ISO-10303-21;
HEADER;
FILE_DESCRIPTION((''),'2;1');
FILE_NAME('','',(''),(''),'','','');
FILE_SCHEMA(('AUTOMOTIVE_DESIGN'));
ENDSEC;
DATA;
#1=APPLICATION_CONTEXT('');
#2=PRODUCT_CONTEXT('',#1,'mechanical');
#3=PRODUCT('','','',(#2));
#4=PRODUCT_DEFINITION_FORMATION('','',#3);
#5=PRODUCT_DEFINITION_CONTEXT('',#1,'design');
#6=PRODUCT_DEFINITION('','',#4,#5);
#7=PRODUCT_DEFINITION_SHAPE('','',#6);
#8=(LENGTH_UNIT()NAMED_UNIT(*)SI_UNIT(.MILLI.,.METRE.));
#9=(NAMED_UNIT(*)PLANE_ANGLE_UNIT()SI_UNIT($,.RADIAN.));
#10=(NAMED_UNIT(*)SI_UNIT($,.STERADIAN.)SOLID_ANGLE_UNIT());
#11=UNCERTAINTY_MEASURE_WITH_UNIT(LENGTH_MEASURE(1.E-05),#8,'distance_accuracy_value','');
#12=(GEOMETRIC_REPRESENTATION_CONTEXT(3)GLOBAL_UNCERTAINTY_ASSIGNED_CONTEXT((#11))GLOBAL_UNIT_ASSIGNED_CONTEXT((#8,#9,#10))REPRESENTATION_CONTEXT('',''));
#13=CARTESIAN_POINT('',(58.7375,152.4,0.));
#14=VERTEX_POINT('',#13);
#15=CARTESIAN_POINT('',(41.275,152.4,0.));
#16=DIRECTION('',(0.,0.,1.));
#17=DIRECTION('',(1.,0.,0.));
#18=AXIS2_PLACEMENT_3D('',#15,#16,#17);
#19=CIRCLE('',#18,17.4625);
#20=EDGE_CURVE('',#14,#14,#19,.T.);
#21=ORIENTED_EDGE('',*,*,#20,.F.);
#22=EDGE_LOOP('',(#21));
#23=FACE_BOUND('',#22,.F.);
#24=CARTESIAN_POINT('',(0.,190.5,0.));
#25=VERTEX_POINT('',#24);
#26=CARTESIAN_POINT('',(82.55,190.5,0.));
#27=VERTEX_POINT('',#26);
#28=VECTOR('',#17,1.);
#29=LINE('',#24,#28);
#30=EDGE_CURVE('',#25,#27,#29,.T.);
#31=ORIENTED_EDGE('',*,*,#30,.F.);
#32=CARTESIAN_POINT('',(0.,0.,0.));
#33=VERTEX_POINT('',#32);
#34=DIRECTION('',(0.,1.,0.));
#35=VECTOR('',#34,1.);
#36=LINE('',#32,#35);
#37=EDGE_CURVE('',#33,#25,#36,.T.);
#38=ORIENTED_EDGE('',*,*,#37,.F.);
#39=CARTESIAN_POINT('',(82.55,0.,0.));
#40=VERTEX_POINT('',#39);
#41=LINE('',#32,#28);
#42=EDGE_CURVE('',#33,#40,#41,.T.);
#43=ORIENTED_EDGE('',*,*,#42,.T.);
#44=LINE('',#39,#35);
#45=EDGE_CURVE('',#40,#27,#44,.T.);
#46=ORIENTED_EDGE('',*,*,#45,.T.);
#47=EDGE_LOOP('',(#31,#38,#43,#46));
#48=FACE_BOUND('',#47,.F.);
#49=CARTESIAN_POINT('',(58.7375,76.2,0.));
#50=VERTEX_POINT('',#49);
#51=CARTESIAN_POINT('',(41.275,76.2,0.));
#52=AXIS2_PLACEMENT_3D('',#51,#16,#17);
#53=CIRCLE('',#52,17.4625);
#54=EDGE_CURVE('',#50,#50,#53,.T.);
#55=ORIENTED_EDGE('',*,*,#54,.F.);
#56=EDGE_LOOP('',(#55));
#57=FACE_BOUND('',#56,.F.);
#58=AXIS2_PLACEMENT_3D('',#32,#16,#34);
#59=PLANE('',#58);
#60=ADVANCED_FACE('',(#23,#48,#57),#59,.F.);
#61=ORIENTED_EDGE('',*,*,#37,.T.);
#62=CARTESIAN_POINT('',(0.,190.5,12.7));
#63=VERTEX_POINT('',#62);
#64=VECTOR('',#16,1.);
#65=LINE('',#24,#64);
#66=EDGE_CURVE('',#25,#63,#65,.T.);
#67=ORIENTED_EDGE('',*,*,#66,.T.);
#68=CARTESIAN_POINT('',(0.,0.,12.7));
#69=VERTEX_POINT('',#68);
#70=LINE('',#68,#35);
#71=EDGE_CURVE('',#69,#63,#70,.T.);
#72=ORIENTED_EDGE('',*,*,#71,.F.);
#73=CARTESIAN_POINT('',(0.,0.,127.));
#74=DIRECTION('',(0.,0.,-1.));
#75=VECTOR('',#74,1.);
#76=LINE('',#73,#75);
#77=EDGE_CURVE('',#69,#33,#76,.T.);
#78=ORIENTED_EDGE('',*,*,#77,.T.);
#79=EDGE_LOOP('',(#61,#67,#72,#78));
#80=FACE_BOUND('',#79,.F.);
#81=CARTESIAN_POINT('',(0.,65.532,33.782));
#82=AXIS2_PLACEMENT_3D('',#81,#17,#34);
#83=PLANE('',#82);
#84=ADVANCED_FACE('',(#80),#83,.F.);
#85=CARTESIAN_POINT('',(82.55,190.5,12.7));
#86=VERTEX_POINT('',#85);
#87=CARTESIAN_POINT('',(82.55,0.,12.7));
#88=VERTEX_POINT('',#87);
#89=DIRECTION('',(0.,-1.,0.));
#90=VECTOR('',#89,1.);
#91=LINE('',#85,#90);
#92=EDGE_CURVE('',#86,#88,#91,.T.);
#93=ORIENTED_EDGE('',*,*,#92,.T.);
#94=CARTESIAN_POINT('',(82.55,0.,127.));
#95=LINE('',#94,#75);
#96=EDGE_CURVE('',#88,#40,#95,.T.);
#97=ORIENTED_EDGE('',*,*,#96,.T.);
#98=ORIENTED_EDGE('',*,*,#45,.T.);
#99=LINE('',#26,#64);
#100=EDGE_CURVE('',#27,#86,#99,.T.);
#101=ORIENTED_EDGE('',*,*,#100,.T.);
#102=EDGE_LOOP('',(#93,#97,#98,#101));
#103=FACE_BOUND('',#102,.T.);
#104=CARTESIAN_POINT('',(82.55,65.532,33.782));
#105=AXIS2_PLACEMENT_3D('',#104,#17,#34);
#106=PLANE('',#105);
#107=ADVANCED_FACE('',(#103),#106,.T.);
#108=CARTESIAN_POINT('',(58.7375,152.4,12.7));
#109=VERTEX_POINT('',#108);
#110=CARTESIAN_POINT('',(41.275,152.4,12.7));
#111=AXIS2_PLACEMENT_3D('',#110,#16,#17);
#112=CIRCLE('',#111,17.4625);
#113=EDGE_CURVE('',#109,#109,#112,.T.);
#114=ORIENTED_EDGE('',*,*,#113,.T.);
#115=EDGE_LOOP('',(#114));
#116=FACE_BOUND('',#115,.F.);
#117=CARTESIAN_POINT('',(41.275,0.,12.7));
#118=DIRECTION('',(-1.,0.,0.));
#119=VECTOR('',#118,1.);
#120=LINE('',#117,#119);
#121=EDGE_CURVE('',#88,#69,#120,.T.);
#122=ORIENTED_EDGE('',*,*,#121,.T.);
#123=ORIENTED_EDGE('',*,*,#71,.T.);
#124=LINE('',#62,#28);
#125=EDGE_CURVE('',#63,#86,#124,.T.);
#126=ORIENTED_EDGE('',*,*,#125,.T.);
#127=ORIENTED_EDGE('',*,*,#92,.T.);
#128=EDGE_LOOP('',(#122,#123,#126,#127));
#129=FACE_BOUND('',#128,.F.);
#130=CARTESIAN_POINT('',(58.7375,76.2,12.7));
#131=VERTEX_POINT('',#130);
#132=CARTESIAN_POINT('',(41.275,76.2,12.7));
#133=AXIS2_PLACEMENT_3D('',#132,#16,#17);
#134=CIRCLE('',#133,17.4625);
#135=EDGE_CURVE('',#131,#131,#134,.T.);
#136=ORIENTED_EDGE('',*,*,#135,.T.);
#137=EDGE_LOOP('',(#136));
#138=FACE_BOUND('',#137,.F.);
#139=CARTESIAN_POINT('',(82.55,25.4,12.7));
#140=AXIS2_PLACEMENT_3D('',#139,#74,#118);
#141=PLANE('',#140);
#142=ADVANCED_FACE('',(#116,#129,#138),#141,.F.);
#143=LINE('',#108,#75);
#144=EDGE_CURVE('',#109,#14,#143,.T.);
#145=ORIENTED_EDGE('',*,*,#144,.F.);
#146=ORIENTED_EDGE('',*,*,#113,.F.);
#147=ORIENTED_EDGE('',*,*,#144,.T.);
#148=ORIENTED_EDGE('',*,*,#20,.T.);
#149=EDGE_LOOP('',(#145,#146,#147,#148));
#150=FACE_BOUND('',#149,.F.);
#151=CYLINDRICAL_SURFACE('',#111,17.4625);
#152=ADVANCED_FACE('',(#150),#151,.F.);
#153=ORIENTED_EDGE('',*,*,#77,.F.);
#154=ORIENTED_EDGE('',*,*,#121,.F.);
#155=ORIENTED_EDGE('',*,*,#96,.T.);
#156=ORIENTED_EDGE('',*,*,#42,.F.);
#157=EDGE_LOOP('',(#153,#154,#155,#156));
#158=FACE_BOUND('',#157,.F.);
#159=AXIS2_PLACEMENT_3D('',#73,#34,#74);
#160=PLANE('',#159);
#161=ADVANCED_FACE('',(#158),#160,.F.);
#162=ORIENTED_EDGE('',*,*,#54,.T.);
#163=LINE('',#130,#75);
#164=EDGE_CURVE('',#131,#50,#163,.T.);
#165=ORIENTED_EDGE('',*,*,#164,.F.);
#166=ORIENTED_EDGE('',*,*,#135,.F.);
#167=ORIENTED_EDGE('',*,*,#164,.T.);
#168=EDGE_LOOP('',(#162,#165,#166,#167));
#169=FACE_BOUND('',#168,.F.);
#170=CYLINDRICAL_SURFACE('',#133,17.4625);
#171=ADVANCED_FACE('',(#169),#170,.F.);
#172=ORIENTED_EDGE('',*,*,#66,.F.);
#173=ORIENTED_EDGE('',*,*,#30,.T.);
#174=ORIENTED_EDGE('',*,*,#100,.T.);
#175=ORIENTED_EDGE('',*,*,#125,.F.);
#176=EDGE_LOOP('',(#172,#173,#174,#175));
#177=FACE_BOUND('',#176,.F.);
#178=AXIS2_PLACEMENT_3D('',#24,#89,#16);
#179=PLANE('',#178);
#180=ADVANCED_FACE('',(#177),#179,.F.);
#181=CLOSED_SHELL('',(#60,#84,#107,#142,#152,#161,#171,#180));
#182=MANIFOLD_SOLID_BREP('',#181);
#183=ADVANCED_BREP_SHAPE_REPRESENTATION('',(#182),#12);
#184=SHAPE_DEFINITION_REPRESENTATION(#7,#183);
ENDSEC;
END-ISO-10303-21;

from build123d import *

# Parameters (mm, degrees)
F1_DEPTH = 82.55
F2_R     = 17.4625
F3_DEPTH = 25.4
F4_W     = 82.55
F4_H     = 114.3
F5_DEPTH = 25.401


with BuildPart() as f1:
    # F0 (on Right) → F1 (new body)
    with BuildSketch(Plane.YZ):
        Polygon((0, 127), (0, 0), (190.5, 0), (190.5, 12.7), (25.4, 12.7), (25.4, 127), align=None)
    extrude(amount=F1_DEPTH)

    # F2 (on face) → F3 (cut)
    with BuildSketch(Plane.XY.offset(12.7)):
        with Locations((41.275, 76.2)):
            Circle(F2_R)
        with Locations((41.275, 152.4)):
            Circle(F2_R)
    extrude(amount=-F3_DEPTH, mode=Mode.SUBTRACT)

    # F4 (on face) → F5 (cut, through all)
    with BuildSketch(Plane(origin=(0, 25.4, 0), x_dir=(-1, 0, 0), z_dir=(0, 1, 0))):
        with Locations((-41.275, 69.85)):
            Rectangle(F4_W, F4_H)
    extrude(amount=-F5_DEPTH, mode=Mode.SUBTRACT)


solid = f1.part
